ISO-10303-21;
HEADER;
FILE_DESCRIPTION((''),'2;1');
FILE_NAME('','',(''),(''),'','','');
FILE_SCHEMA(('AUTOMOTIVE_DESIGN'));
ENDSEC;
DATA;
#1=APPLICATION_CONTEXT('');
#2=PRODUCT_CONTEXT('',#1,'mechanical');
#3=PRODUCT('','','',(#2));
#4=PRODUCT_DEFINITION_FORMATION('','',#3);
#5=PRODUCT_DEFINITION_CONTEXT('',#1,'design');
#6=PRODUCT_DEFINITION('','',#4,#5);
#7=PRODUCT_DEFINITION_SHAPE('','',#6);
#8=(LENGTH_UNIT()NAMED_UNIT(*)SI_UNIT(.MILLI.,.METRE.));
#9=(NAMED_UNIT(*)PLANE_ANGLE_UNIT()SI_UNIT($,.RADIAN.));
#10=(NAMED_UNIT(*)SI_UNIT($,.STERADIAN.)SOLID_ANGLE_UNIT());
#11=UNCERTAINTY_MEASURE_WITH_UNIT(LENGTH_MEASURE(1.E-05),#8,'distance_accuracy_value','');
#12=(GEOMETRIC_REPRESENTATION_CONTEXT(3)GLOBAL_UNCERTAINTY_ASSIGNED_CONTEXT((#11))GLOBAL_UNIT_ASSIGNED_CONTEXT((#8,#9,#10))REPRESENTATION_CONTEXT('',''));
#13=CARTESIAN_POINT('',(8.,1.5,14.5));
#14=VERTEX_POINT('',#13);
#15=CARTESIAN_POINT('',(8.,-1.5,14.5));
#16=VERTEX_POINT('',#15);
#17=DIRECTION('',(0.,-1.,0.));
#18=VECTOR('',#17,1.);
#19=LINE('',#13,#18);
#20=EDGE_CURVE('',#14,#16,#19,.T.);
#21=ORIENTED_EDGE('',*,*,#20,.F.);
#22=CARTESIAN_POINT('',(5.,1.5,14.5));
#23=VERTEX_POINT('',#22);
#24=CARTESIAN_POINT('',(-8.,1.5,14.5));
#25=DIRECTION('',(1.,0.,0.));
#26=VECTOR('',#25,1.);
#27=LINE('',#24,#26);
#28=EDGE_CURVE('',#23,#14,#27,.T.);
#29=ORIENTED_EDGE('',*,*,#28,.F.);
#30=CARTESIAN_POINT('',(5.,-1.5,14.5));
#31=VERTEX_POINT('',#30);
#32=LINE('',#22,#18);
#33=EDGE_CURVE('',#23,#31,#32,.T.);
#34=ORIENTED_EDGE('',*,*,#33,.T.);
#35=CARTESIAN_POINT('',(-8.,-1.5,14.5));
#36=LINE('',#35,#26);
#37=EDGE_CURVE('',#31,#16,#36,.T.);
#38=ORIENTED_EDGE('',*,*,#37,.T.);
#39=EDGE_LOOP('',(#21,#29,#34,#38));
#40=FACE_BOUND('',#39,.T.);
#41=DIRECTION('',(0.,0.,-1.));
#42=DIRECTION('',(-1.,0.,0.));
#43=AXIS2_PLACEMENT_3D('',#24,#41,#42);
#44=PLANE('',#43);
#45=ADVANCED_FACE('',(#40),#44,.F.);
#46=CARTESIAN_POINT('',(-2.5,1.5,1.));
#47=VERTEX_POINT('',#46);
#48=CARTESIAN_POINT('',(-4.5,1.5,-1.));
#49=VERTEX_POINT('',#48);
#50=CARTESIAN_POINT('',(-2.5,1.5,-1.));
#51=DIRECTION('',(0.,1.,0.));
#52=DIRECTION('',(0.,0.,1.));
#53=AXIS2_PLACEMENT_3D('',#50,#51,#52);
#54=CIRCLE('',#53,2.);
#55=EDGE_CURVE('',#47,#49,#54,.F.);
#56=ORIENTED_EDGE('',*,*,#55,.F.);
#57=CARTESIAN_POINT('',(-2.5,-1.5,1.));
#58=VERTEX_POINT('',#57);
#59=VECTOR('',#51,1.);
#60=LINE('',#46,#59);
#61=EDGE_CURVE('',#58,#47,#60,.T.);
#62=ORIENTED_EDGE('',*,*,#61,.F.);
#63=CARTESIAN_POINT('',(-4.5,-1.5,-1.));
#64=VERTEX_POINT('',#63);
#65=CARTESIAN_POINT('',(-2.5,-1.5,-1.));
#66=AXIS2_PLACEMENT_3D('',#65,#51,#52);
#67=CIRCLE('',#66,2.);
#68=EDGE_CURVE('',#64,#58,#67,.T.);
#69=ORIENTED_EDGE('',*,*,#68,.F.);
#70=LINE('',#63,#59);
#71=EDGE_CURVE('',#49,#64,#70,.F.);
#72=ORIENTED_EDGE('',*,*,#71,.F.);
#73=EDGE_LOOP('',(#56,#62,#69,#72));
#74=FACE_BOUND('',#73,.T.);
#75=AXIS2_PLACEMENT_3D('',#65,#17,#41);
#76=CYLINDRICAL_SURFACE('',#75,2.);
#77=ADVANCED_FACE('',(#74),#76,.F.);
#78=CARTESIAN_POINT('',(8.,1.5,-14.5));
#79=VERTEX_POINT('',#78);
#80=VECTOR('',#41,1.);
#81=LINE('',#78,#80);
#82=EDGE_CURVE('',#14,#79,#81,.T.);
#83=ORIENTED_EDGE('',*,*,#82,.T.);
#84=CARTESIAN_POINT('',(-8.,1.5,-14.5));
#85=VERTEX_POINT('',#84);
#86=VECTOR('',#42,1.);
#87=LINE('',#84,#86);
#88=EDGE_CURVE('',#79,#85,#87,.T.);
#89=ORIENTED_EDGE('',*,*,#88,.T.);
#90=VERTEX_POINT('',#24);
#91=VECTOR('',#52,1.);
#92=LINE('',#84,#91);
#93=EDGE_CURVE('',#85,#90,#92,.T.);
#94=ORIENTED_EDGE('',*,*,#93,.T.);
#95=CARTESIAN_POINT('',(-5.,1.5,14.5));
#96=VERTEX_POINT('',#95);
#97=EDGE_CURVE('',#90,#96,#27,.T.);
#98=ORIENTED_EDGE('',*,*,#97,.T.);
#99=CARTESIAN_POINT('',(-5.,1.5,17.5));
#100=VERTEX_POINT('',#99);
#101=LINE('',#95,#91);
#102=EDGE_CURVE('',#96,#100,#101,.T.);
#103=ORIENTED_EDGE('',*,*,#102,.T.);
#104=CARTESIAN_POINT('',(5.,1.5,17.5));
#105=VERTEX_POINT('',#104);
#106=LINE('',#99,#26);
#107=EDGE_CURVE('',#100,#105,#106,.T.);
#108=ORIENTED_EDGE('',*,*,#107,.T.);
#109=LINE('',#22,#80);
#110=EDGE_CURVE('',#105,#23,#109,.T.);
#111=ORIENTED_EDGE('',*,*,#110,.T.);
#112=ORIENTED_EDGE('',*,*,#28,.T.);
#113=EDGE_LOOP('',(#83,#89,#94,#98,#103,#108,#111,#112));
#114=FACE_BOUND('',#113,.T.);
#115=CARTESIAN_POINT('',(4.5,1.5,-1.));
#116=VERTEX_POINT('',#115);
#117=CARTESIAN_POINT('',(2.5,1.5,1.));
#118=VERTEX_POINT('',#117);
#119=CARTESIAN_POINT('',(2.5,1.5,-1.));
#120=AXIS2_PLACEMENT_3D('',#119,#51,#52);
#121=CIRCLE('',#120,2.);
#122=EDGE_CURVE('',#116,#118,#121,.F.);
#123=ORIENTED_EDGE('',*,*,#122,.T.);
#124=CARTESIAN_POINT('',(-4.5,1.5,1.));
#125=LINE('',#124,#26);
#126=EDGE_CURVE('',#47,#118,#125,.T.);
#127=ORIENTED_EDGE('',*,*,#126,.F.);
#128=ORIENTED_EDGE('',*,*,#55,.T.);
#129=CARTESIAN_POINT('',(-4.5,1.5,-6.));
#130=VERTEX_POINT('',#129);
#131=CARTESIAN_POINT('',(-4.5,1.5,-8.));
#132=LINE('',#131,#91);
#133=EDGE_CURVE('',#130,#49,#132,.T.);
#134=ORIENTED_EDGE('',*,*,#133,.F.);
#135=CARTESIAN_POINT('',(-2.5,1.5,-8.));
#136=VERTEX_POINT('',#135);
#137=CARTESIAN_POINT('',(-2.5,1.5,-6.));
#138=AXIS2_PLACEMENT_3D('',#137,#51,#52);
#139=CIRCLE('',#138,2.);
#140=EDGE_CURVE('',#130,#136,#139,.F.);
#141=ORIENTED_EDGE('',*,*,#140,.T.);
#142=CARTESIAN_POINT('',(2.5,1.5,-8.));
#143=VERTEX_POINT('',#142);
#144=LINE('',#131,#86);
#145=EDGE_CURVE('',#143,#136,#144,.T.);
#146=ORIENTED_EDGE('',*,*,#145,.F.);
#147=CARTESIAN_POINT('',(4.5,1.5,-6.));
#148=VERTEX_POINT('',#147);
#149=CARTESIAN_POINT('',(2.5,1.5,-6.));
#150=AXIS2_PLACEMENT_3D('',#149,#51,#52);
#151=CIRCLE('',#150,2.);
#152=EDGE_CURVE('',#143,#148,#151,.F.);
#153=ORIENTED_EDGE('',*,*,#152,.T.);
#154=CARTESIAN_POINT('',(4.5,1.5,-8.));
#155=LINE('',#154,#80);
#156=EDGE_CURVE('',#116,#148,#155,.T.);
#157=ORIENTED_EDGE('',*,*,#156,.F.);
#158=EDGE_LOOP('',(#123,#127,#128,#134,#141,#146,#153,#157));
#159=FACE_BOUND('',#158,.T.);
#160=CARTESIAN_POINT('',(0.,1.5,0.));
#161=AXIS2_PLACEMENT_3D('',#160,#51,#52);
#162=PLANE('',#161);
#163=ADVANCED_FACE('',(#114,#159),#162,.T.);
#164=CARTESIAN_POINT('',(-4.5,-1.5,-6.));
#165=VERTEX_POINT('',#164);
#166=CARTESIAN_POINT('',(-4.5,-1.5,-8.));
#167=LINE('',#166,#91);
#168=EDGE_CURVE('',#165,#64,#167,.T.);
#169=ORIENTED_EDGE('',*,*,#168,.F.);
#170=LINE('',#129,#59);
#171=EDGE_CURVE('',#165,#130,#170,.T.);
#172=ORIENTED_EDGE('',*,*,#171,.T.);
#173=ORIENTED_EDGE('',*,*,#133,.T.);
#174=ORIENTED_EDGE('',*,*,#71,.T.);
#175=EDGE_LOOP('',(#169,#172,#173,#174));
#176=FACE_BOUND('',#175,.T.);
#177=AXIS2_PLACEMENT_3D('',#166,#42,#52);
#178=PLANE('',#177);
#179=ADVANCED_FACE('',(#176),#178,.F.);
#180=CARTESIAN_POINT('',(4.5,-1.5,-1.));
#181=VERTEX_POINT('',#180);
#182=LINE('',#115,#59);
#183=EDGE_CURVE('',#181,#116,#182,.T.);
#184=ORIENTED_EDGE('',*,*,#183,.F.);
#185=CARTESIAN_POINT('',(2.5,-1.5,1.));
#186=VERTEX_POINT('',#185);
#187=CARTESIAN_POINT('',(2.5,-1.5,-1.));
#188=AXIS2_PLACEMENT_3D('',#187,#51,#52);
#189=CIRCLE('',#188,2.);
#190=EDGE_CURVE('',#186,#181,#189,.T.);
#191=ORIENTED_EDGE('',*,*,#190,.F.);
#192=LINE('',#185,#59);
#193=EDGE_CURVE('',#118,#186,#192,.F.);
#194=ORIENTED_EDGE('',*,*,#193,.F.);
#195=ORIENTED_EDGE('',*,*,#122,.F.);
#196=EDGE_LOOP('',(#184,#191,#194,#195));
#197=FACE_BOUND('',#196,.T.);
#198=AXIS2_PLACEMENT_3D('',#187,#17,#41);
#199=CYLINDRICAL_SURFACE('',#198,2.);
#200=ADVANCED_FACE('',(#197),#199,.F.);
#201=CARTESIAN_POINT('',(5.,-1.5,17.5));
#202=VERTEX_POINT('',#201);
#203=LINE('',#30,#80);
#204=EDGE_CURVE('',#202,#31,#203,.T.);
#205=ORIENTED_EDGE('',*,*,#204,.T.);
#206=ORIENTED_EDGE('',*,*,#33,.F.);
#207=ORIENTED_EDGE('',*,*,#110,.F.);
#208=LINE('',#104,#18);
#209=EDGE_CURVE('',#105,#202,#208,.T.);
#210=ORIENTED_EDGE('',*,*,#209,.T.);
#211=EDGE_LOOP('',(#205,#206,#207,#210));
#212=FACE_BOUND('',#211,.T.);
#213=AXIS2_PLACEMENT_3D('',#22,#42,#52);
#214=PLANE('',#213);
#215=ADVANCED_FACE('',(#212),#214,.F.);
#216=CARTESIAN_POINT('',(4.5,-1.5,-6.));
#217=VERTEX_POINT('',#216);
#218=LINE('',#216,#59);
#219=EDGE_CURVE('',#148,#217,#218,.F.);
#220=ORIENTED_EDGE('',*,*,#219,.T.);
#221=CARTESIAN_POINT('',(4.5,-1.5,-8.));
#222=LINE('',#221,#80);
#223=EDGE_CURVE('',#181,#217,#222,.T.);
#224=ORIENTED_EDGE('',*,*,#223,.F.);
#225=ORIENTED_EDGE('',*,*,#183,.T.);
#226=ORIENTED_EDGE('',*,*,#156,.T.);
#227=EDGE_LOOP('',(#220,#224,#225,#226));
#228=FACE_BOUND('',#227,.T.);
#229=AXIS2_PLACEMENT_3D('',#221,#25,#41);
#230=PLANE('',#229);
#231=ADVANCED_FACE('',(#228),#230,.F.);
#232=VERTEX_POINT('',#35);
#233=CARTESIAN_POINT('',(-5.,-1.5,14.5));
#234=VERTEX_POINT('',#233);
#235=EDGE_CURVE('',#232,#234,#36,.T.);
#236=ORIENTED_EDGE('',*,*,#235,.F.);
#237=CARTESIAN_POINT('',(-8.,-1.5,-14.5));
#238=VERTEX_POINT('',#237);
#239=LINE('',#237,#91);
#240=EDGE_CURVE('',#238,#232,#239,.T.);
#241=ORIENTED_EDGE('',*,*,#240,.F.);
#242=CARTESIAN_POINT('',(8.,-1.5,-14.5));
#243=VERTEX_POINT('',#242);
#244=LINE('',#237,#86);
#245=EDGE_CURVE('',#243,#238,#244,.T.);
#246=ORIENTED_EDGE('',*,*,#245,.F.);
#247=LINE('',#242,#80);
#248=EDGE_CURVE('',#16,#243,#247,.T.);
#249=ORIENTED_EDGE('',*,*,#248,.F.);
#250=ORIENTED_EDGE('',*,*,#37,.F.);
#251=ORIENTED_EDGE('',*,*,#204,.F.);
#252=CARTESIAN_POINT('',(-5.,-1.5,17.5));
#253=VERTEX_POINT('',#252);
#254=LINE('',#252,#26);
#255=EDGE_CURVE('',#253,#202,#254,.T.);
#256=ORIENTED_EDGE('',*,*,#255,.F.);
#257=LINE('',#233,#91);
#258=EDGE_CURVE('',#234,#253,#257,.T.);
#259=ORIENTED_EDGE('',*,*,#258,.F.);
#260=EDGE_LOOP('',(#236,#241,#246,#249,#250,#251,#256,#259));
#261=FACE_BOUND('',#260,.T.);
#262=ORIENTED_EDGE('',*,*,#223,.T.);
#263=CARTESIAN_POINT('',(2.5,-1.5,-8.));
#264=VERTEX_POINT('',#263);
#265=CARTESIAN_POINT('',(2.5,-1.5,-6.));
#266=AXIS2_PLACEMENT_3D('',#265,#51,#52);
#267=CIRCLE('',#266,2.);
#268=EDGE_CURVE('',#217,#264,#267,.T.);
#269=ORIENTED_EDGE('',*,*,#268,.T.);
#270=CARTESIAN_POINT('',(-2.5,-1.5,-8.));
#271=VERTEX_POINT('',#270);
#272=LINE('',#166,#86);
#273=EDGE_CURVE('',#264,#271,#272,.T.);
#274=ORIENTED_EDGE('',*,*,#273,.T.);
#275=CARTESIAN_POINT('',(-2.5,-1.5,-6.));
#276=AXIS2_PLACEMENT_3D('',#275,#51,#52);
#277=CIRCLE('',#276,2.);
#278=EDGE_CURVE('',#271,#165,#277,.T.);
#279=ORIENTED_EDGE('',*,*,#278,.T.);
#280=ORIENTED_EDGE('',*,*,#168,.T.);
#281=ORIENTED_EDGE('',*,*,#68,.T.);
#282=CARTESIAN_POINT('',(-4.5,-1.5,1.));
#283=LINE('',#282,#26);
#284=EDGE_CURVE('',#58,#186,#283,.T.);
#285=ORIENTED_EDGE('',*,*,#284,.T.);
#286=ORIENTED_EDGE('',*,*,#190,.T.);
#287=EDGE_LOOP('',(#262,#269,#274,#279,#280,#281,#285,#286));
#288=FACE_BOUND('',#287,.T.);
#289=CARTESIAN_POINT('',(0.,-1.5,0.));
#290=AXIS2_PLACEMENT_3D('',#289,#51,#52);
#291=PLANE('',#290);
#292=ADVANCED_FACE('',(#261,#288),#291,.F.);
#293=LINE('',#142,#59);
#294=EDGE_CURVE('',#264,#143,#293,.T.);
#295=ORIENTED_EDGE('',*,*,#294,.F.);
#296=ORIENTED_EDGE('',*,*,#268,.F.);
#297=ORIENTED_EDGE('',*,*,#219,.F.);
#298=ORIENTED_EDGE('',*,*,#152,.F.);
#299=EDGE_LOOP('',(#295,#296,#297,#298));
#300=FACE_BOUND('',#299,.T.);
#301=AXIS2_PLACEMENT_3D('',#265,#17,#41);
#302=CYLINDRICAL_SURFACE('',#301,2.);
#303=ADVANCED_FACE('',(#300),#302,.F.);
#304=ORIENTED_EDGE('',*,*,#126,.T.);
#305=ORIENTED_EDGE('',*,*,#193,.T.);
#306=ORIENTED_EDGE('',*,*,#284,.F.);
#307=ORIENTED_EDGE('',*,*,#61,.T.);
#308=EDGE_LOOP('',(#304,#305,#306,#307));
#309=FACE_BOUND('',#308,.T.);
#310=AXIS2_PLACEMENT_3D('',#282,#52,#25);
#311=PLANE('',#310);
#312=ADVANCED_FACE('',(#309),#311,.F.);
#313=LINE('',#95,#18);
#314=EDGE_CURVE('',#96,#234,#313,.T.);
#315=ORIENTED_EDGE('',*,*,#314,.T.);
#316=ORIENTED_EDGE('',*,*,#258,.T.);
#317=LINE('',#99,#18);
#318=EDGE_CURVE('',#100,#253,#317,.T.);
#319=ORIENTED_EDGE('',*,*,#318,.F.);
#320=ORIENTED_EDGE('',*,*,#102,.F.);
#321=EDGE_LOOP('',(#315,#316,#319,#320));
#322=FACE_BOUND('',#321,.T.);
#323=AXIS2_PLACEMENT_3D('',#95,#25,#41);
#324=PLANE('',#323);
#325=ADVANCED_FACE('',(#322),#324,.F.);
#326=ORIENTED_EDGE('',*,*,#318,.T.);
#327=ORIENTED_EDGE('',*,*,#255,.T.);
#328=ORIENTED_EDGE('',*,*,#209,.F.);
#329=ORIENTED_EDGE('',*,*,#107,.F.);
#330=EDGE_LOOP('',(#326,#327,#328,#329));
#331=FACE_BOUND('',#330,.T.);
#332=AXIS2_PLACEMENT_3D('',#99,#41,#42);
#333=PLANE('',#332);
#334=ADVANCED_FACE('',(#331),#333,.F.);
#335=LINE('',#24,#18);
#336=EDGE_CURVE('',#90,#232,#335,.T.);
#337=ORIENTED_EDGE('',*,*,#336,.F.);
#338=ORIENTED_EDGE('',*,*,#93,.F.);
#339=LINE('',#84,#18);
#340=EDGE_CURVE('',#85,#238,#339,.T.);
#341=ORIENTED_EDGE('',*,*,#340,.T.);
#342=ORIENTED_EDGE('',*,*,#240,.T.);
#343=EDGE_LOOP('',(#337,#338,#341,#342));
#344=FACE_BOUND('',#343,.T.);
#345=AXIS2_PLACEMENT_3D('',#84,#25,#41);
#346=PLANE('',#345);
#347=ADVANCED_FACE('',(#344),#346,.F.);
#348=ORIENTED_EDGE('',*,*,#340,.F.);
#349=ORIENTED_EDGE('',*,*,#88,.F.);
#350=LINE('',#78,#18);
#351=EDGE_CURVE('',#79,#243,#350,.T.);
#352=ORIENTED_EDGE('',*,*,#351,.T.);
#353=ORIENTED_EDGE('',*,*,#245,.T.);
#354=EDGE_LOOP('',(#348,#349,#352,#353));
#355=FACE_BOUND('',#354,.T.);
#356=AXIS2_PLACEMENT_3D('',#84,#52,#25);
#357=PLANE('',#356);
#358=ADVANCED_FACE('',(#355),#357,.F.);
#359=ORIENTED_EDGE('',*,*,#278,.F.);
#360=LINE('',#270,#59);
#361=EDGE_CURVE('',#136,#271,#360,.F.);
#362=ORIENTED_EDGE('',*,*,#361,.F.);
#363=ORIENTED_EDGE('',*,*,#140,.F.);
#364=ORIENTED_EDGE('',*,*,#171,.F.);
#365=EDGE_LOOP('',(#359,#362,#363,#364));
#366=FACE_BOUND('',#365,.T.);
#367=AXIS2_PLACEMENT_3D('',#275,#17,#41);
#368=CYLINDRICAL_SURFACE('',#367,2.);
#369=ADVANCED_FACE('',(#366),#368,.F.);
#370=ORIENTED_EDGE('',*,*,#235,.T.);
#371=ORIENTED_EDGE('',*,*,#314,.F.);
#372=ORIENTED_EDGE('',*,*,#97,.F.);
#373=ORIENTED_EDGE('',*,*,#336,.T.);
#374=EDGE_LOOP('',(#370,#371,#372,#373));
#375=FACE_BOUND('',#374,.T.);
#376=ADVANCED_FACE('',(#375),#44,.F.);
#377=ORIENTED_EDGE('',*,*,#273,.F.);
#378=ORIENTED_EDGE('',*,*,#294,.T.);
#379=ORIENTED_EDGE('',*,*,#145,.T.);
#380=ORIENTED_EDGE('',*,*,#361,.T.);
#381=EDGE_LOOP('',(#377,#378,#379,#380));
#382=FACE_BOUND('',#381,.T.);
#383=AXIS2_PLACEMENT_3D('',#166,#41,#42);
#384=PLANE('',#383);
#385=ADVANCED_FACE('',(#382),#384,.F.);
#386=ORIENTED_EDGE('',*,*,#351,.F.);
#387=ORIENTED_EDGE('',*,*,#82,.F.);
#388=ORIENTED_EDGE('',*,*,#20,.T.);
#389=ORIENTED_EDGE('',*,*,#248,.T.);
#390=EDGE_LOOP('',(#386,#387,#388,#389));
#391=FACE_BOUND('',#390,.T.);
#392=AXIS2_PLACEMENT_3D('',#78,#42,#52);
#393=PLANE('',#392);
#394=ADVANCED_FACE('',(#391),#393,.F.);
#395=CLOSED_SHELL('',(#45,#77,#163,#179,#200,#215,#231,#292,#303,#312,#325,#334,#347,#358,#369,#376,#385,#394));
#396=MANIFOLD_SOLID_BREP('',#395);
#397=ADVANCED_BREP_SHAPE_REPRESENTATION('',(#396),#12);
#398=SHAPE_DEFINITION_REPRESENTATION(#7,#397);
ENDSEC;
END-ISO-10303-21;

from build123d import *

# Parameters (mm, degrees)
SKETCH1_W               = 16
SKETCH1_H               = 29
BOSS_EXTRUDE1_DEPTH     = 1.5
SKETCH2_W               = 10
SKETCH2_H               = 3
BOSS_EXTRUDE2_DEPTH     = 1.5
SKETCH3_W               = 9
SKETCH3_H               = 9
CUT_EXTRUDE1_DEPTH      = 2.5
CUT_EXTRUDE1_DEPTH_BACK = 2.5
FILLET1_R               = 2


with BuildPart() as part:
    # Sketch1 → Boss-Extrude1 (new body, symmetric)
    with BuildSketch(Plane(origin=(0, 0, 0), x_dir=(1, 0, 0), z_dir=(0, 1, 0))):
        Rectangle(SKETCH1_W, SKETCH1_H)
    extrude(amount=BOSS_EXTRUDE1_DEPTH, both=True)

    # Sketch2 → Boss-Extrude2 (add, symmetric)
    with BuildSketch(Plane(origin=(0, 0, 0), x_dir=(1, 0, 0), z_dir=(0, 1, 0))):
        with Locations((0, -16)):
            Rectangle(SKETCH2_W, SKETCH2_H)
    extrude(amount=BOSS_EXTRUDE2_DEPTH, both=True)

    # Sketch3 → Cut-Extrude1 (cut, two sides)
    with BuildSketch(Plane(origin=(0, 0, 0), x_dir=(1, 0, 0), z_dir=(0, 1, 0))) as cut_extrude1_sk:
        with Locations((0, 3.5)):
            Rectangle(SKETCH3_W, SKETCH3_H)
    extrude(amount=CUT_EXTRUDE1_DEPTH, mode=Mode.SUBTRACT)
    extrude(cut_extrude1_sk.sketch, amount=-CUT_EXTRUDE1_DEPTH_BACK, mode=Mode.SUBTRACT)

    # Fillet1
    fillet1_edges = [part.edges().sort_by_distance(p)[0] for p in [
        (-4.5, 0, 1),
        (-4.5, 0, -8),
        (4.5, 0, -8),
        (4.5, 0, 1),
    ]]
    fillet(fillet1_edges, radius=FILLET1_R)


solid = part.part
